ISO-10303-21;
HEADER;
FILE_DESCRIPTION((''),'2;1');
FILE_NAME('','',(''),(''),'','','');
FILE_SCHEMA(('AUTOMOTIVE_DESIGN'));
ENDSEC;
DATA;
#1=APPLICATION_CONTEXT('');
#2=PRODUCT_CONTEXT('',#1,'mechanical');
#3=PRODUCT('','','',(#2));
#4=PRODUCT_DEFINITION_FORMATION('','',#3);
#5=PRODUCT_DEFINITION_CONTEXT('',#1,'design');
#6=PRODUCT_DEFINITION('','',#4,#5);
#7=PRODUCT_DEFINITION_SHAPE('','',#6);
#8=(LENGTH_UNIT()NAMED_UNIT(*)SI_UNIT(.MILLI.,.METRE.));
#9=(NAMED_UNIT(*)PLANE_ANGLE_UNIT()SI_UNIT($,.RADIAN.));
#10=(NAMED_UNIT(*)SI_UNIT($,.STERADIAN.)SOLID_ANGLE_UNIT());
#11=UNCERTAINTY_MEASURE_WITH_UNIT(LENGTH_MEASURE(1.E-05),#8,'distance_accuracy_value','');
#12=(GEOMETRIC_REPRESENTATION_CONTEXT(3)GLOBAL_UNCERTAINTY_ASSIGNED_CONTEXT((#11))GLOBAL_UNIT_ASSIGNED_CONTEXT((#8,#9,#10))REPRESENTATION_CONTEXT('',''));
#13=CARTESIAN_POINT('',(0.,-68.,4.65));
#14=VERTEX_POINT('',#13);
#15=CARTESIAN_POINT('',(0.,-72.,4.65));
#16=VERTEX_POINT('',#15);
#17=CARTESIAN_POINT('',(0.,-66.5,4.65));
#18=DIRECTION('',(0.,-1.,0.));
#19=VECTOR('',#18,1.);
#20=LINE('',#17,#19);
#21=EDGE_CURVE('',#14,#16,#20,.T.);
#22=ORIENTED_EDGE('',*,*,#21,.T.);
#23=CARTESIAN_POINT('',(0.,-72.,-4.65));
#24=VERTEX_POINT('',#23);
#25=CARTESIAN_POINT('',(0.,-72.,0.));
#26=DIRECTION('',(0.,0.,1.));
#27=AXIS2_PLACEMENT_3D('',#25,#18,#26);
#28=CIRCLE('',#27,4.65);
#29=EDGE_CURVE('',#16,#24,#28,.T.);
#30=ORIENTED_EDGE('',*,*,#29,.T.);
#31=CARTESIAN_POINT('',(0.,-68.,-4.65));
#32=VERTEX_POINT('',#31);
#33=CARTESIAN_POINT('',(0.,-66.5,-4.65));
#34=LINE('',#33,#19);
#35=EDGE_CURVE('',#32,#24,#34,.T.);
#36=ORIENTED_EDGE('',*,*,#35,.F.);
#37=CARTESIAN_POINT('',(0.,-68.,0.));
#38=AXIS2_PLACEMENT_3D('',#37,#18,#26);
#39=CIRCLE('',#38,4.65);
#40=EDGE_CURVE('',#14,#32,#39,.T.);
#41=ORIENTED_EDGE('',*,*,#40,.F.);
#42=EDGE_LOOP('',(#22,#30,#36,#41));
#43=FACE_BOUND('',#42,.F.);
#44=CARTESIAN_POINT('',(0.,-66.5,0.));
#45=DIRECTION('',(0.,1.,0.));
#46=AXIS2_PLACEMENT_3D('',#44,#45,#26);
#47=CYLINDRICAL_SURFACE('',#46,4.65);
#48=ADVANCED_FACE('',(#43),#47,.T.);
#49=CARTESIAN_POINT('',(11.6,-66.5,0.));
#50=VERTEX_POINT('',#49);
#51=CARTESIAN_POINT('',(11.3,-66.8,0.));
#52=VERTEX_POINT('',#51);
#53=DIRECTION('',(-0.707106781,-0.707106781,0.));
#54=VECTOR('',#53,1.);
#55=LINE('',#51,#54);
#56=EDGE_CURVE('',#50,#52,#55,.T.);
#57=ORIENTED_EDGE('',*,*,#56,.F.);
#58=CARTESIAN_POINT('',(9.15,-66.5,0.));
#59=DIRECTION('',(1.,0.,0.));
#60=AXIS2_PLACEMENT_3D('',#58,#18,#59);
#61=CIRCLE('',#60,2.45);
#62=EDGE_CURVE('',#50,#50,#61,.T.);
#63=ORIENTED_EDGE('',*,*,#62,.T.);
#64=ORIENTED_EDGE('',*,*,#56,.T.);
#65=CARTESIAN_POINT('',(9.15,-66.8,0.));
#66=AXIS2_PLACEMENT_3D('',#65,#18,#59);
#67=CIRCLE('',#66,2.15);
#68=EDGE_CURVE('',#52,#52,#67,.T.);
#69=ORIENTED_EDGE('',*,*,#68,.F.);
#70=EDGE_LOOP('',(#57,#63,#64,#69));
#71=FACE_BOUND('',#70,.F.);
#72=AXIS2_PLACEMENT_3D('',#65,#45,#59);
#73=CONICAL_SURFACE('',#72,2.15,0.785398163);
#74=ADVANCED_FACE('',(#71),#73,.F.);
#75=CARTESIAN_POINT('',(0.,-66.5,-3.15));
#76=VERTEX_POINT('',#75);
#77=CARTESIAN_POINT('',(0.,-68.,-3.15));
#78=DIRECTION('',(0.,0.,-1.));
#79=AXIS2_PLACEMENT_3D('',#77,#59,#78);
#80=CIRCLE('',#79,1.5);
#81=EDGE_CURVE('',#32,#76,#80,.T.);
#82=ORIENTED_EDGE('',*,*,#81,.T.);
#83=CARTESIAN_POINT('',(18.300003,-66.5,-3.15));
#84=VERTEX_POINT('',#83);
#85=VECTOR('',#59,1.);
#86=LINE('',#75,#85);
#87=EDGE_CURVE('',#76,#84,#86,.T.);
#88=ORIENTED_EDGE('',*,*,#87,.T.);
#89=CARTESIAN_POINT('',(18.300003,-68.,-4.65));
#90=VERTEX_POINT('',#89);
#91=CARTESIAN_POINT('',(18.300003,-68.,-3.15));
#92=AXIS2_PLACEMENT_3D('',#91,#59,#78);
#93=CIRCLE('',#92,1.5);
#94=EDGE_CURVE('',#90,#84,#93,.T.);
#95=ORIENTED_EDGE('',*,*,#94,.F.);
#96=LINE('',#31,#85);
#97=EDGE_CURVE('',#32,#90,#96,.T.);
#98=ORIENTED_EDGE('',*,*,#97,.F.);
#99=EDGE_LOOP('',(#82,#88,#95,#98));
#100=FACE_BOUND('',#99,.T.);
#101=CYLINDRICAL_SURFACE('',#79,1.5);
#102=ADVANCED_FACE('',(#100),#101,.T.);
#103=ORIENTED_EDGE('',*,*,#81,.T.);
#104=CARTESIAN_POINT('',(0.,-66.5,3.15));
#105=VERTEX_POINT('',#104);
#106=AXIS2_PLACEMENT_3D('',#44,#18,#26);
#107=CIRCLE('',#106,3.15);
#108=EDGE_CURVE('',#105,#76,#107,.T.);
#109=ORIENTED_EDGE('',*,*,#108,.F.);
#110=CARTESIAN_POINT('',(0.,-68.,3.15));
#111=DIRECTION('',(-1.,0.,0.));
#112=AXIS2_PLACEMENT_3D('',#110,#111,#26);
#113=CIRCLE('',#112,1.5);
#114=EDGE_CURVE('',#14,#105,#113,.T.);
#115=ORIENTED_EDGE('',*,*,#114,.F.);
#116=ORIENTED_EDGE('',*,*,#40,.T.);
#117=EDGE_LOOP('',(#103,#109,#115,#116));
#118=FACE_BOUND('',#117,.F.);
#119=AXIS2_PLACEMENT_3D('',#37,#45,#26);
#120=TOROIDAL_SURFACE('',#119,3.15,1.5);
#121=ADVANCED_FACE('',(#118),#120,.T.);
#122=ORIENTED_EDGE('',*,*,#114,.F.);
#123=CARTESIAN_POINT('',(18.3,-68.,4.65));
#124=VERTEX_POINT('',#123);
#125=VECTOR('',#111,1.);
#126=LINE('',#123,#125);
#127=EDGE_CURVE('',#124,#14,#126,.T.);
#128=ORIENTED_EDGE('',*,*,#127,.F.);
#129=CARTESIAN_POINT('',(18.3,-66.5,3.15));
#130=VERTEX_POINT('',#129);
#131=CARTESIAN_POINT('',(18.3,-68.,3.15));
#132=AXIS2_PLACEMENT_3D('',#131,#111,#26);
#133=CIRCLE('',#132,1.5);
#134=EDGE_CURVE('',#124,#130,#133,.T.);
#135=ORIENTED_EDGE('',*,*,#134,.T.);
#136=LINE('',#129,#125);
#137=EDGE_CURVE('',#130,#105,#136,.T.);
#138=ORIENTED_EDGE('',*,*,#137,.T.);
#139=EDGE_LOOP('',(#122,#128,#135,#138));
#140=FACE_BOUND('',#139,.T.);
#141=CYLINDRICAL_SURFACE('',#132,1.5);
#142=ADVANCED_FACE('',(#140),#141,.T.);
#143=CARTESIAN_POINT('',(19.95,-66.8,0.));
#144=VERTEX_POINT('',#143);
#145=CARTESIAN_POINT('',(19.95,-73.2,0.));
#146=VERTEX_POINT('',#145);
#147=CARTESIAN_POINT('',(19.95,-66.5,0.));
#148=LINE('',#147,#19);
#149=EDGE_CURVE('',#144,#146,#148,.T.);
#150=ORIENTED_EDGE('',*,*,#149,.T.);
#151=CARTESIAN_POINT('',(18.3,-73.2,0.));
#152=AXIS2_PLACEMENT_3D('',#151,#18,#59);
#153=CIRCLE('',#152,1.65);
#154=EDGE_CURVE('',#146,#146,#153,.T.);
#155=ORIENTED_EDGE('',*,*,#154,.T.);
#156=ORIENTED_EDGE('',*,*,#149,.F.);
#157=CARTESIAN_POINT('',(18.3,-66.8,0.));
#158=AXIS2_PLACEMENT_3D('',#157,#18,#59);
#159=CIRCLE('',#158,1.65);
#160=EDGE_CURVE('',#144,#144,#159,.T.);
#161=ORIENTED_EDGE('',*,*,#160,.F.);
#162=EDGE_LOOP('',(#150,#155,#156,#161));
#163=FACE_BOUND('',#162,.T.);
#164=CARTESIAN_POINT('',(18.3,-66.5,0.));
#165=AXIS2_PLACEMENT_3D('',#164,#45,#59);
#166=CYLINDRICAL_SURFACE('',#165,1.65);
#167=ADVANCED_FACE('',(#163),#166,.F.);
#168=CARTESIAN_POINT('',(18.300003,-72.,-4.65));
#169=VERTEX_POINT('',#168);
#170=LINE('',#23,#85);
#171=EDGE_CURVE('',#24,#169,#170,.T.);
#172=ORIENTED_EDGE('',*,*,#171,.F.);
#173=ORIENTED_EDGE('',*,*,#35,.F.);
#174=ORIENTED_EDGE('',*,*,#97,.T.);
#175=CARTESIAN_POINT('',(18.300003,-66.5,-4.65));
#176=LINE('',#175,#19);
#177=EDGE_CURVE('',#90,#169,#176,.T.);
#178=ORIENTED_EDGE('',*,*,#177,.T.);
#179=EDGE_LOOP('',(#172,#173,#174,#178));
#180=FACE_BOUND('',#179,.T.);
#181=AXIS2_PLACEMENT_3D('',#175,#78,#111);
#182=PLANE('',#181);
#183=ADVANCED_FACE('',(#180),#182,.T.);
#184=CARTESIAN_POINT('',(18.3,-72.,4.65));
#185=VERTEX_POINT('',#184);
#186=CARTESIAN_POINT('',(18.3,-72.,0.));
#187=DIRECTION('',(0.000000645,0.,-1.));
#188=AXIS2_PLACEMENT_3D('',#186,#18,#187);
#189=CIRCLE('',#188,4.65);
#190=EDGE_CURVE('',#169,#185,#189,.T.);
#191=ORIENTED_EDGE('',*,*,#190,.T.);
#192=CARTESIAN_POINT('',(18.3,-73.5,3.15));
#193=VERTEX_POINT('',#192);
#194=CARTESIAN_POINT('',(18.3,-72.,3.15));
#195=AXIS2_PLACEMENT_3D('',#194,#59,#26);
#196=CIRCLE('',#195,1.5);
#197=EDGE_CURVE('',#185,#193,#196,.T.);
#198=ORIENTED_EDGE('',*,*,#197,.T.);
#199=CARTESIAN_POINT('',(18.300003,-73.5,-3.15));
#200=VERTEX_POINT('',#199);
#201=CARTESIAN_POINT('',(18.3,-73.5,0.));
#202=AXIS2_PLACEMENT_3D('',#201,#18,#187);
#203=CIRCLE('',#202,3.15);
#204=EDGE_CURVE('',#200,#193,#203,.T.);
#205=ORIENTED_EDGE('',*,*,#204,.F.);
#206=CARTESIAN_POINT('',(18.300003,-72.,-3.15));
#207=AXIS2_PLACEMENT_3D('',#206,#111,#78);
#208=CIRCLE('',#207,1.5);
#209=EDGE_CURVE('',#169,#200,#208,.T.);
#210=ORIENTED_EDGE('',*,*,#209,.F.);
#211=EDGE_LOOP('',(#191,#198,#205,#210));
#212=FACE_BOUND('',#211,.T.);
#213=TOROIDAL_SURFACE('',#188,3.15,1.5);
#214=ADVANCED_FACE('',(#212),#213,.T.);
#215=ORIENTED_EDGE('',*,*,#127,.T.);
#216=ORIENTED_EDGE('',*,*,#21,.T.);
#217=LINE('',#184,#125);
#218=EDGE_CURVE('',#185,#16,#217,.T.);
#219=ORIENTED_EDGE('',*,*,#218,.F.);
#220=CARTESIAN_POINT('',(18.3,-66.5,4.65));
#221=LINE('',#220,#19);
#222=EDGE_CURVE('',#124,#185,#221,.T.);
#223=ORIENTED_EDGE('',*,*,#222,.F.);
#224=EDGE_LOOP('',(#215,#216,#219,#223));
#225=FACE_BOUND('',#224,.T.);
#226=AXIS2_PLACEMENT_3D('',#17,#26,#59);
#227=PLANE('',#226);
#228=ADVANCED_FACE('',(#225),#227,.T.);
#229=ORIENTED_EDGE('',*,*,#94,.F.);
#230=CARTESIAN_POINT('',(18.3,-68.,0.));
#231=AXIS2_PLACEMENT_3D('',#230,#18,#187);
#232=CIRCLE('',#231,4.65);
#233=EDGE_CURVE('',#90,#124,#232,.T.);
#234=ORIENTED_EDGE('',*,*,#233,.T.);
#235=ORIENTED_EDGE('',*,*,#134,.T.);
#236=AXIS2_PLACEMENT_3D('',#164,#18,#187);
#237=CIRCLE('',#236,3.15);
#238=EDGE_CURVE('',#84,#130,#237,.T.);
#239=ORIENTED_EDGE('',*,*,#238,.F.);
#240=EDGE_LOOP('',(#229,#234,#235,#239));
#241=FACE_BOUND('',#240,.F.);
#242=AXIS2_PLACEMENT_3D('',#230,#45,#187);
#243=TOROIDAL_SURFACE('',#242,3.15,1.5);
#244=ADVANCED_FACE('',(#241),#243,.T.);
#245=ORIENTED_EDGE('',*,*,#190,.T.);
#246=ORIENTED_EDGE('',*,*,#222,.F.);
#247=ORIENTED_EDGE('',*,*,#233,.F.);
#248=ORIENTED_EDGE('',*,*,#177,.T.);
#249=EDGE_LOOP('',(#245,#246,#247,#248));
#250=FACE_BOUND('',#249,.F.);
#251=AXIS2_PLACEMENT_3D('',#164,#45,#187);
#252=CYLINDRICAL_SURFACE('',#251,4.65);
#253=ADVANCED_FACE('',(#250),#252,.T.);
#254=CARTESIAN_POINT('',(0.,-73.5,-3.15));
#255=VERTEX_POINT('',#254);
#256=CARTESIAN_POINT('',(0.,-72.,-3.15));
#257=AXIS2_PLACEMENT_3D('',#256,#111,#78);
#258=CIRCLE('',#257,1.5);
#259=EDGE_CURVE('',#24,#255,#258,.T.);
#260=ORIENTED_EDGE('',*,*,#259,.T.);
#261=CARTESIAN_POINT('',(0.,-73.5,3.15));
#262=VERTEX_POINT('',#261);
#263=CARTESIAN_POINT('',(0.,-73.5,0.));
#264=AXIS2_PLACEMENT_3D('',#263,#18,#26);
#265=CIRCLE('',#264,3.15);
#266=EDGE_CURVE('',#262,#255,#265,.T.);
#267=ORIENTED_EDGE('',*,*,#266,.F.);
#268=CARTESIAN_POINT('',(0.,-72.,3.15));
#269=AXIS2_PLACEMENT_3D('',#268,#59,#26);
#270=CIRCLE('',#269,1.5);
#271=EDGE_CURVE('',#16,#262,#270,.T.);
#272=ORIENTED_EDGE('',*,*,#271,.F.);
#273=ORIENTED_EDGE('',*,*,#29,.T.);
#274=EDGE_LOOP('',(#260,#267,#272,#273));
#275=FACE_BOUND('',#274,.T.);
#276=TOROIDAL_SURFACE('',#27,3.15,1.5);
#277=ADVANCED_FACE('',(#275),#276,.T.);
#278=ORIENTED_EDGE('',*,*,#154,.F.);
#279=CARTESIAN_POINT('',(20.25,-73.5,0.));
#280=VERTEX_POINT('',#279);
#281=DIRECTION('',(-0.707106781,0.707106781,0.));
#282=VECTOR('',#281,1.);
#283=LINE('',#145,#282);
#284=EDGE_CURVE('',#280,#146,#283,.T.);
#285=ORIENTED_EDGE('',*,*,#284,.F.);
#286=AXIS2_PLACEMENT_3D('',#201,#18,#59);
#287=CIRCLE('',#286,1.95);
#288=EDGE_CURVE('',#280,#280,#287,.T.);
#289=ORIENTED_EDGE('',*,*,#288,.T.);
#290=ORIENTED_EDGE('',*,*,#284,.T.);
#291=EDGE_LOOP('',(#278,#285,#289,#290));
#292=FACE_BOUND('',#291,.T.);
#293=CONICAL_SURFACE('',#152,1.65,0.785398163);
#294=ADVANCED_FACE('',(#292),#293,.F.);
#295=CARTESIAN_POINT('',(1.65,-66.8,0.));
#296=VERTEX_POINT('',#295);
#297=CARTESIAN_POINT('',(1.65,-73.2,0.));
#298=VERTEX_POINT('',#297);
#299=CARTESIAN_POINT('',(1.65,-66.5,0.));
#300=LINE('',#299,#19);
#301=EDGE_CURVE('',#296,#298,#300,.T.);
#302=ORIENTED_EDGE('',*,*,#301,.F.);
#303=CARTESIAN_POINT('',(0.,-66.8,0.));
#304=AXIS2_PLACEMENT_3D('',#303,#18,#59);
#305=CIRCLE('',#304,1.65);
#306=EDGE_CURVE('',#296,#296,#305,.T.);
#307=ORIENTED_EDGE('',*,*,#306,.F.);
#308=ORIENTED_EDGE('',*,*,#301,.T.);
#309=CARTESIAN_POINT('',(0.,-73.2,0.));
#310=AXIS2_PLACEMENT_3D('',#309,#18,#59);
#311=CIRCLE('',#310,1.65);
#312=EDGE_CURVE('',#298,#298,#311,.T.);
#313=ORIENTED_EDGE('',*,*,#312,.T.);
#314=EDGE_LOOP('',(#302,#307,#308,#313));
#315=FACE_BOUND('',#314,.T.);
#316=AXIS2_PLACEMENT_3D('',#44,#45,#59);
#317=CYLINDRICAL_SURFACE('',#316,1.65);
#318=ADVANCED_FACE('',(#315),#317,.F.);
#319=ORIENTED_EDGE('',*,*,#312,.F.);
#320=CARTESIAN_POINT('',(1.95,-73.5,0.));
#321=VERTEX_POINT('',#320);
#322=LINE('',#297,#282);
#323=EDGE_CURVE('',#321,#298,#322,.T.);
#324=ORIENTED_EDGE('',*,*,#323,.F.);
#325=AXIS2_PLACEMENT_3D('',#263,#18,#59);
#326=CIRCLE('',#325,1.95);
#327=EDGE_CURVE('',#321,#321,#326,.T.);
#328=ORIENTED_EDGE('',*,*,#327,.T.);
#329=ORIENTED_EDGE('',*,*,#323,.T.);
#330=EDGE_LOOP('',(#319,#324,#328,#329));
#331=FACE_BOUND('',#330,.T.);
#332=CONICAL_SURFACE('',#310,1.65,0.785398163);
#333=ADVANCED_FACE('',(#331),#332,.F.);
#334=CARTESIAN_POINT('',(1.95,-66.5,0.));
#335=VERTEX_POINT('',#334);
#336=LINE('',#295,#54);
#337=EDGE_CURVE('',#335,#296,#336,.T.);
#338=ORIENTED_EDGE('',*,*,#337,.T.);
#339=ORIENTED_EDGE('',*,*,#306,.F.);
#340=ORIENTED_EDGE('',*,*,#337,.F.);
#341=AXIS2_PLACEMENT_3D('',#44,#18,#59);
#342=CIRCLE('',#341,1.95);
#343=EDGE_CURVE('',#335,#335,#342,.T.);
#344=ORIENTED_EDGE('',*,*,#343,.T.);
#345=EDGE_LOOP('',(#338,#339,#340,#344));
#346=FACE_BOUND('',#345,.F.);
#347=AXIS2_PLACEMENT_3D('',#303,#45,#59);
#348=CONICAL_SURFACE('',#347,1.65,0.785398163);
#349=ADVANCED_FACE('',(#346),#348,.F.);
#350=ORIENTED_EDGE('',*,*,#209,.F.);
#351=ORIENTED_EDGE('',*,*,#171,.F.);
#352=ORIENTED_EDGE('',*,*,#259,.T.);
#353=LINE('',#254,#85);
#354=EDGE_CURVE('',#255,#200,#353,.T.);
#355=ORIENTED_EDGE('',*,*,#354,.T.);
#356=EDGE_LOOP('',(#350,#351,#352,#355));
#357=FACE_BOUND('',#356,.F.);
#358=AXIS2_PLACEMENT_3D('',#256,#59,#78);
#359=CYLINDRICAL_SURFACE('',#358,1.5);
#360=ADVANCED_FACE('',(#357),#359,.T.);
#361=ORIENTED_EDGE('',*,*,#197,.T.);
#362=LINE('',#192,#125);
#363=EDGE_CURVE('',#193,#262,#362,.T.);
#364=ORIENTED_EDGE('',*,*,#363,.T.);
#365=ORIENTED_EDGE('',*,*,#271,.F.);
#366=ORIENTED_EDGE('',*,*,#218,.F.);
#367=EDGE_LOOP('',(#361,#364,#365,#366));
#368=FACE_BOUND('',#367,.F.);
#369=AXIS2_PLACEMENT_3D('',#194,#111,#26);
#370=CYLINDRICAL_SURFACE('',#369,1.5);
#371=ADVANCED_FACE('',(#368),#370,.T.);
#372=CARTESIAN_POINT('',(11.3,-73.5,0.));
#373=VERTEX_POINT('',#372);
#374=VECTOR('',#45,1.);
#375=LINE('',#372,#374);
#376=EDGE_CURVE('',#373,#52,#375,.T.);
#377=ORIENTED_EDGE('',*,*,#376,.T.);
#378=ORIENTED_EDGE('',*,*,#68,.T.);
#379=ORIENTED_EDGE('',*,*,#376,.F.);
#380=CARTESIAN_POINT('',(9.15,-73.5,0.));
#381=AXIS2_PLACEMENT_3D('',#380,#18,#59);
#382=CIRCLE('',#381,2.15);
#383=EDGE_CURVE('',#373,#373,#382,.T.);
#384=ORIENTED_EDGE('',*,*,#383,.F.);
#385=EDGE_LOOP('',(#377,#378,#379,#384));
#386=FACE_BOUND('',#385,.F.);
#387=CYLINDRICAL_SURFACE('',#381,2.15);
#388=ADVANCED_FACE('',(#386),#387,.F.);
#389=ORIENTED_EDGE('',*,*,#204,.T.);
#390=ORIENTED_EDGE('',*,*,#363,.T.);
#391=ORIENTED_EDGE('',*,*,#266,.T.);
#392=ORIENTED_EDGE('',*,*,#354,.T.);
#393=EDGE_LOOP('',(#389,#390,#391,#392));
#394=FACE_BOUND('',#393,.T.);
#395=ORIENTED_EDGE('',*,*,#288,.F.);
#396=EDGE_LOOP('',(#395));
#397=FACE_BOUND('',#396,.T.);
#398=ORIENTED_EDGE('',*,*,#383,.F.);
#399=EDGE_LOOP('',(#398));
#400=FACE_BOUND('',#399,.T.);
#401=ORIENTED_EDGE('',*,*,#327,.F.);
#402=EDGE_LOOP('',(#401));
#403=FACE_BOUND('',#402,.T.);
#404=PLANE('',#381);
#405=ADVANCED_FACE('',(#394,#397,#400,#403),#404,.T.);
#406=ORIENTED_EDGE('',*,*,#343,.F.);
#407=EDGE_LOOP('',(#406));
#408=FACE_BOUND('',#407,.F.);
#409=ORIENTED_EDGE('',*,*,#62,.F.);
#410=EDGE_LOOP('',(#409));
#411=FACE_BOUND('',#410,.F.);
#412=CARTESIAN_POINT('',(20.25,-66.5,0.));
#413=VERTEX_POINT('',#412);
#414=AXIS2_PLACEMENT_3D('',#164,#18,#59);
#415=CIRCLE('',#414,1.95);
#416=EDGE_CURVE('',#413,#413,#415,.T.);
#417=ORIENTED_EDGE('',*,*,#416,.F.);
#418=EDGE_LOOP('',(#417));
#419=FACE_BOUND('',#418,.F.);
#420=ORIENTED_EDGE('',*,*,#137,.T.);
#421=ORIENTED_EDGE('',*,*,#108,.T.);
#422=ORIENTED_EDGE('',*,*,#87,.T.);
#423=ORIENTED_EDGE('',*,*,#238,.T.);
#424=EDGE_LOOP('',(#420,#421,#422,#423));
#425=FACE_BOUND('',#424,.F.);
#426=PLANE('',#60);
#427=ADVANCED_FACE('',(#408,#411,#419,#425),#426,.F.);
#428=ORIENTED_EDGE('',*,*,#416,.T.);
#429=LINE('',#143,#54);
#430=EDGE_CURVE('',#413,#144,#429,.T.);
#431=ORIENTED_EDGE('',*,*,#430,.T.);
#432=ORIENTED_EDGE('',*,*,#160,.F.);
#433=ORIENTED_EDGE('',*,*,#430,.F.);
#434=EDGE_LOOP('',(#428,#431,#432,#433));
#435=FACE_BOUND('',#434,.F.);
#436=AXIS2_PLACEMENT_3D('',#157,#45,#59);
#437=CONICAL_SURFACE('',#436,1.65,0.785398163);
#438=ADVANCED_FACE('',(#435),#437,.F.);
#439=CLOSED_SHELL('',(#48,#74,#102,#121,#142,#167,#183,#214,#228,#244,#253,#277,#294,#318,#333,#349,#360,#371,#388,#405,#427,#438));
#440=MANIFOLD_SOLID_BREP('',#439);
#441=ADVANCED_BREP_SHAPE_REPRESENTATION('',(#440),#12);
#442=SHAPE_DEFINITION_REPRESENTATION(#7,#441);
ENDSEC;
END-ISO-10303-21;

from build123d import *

# Parameters (mm, degrees)
SKETCH003_R     = 1.65
PAD002_DEPTH    = 7
SKETCH004_R     = 2.15
POCKET003_DEPTH = 8
FILLET001_R     = 1.5
CHAMFER001_SIZE = 0.3


with BuildPart() as part:
    # Sketch003 → Pad002 (new body)
    with BuildSketch(Plane.XZ):
        with BuildLine():
            ThreePointArc((0, 4.65), (-4.65, 0), (0, -4.65))
            Line((18.300003, -4.65), (0, -4.65))
            ThreePointArc((18.300003, -4.65), (22.95, 2e-06), (18.3, 4.65))
            Line((0, 4.65), (18.3, 4.65))
        make_face()
        Circle(SKETCH003_R, mode=Mode.SUBTRACT)
        with Locations((18.3, 0)):
            Circle(SKETCH003_R, mode=Mode.SUBTRACT)
    extrude(amount=PAD002_DEPTH)

    # Sketch004 (on Face8 of Pad002) → Pocket003 (cut)
    with BuildSketch(Plane.XZ.offset(7)):
        with Locations((9.15, 0)):
            Circle(SKETCH004_R)
    extrude(amount=-POCKET003_DEPTH, mode=Mode.SUBTRACT)

    # Fillet001
    fillet001_edges = [part.edges().sort_by_distance(p)[0] for p in [
        (-4.65, -7, 0),
        (-4.65, 0, 0),
    ]]
    fillet(fillet001_edges, radius=FILLET001_R)

    # Chamfer001
    chamfer001_edges = [part.edges().sort_by_distance(p)[0] for p in [
        (-1.65, -7, 0),
        (16.65, -7, 0),
        (7, 0, 0),
        (-1.65, 0, 0),
        (16.65, 0, 0),
    ]]
    chamfer(chamfer001_edges, length=CHAMFER001_SIZE)


with BuildPart() as part_1:
    # Body001 placement: moved
    add(part.part.moved(Location((0, -66.5, 0))))


solid = part_1.part
